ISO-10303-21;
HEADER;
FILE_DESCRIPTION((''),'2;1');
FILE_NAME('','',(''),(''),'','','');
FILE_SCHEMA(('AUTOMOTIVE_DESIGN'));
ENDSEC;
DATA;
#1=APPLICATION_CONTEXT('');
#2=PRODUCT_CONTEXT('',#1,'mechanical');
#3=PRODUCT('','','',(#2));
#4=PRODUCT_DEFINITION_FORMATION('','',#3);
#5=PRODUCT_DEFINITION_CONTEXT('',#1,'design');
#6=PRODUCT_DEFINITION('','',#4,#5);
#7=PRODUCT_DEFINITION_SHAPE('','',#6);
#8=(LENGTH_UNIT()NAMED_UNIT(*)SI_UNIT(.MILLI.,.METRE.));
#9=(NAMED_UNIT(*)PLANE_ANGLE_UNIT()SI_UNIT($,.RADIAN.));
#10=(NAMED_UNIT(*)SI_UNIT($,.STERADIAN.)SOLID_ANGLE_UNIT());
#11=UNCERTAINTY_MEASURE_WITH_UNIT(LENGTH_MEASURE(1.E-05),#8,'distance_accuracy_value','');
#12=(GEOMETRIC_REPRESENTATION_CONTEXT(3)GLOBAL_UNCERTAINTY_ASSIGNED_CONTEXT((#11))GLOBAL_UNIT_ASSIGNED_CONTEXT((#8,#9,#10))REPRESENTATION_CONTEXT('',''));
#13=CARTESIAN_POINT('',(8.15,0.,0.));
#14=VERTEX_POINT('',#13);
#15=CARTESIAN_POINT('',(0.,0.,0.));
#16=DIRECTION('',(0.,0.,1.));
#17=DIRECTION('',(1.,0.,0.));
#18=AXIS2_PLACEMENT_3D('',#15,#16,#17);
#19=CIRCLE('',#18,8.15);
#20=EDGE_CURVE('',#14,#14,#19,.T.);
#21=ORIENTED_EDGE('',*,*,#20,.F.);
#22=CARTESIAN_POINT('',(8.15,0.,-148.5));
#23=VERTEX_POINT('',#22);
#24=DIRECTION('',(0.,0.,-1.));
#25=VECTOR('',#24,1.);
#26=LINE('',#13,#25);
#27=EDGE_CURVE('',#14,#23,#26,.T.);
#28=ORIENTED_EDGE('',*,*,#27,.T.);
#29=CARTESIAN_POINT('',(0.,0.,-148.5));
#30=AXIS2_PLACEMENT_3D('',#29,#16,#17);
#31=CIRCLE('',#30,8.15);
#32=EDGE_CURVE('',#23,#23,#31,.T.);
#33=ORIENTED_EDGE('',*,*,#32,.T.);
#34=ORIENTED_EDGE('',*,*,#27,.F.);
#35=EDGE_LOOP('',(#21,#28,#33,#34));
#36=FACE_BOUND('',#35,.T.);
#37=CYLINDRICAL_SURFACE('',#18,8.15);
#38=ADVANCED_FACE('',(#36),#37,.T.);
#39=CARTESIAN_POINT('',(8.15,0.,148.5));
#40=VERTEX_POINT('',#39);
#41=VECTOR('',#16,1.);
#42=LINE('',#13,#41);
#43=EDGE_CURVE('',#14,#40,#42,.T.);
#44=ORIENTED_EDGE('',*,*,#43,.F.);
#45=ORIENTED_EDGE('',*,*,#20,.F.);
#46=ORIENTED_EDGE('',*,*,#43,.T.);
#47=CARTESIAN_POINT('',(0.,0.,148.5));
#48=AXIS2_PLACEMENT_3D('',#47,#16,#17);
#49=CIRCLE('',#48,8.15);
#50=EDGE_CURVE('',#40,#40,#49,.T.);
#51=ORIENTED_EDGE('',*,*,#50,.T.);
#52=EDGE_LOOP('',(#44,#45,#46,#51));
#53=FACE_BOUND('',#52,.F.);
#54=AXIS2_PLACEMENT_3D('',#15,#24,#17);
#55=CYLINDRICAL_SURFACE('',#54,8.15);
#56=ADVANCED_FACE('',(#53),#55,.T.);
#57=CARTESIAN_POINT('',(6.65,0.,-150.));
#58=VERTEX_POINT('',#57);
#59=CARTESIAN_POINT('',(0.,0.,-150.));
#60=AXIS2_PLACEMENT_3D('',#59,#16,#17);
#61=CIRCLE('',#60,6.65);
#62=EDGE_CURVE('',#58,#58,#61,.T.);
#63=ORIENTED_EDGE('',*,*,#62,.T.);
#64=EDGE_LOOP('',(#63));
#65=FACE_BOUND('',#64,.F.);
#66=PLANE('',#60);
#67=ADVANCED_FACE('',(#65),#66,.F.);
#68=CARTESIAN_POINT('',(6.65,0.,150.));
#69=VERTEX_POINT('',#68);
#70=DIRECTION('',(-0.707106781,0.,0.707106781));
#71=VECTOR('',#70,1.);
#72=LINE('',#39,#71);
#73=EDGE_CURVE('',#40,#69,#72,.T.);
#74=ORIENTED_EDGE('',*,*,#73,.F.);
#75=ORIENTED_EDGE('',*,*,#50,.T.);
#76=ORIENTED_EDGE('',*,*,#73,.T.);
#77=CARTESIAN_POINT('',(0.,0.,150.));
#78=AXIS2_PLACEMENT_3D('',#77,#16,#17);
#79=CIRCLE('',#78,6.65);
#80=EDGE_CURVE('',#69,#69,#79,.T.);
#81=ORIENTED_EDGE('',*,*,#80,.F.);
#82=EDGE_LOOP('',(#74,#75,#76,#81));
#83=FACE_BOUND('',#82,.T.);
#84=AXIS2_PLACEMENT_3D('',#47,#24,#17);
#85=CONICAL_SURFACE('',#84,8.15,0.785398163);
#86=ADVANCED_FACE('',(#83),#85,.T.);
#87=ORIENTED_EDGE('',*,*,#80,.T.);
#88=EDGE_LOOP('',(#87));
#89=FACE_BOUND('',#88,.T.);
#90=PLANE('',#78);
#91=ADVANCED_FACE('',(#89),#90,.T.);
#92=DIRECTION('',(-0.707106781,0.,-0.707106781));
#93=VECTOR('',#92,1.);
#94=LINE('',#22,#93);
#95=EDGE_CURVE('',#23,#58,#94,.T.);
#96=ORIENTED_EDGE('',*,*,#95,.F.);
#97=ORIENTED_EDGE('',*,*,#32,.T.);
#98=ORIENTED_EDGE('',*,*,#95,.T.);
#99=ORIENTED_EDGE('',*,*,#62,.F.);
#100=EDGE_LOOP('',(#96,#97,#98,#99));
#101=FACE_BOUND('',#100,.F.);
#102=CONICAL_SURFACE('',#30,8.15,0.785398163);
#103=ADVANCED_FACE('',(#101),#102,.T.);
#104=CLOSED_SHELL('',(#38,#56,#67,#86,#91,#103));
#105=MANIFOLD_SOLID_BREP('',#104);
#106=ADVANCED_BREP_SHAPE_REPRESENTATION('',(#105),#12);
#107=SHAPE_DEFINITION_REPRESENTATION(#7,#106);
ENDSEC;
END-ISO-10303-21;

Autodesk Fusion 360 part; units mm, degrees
sketch "Sketch1" plane through (0, 0, 0) normal (0, 0, 1) x (1, 0, 0)
  circle A0 centre (0, 0) radius 8.15
  dimension "d1" = 16.3
extrude "Extrude1" add sketch "Sketch1" along normal mid plane 300
chamfer "Chamfer1" distance 1.5 angle 45 2 edges at (-7.5985, -2.9472, 150) (-7.5985, 2.9472, -150)
thread "Thread1"
